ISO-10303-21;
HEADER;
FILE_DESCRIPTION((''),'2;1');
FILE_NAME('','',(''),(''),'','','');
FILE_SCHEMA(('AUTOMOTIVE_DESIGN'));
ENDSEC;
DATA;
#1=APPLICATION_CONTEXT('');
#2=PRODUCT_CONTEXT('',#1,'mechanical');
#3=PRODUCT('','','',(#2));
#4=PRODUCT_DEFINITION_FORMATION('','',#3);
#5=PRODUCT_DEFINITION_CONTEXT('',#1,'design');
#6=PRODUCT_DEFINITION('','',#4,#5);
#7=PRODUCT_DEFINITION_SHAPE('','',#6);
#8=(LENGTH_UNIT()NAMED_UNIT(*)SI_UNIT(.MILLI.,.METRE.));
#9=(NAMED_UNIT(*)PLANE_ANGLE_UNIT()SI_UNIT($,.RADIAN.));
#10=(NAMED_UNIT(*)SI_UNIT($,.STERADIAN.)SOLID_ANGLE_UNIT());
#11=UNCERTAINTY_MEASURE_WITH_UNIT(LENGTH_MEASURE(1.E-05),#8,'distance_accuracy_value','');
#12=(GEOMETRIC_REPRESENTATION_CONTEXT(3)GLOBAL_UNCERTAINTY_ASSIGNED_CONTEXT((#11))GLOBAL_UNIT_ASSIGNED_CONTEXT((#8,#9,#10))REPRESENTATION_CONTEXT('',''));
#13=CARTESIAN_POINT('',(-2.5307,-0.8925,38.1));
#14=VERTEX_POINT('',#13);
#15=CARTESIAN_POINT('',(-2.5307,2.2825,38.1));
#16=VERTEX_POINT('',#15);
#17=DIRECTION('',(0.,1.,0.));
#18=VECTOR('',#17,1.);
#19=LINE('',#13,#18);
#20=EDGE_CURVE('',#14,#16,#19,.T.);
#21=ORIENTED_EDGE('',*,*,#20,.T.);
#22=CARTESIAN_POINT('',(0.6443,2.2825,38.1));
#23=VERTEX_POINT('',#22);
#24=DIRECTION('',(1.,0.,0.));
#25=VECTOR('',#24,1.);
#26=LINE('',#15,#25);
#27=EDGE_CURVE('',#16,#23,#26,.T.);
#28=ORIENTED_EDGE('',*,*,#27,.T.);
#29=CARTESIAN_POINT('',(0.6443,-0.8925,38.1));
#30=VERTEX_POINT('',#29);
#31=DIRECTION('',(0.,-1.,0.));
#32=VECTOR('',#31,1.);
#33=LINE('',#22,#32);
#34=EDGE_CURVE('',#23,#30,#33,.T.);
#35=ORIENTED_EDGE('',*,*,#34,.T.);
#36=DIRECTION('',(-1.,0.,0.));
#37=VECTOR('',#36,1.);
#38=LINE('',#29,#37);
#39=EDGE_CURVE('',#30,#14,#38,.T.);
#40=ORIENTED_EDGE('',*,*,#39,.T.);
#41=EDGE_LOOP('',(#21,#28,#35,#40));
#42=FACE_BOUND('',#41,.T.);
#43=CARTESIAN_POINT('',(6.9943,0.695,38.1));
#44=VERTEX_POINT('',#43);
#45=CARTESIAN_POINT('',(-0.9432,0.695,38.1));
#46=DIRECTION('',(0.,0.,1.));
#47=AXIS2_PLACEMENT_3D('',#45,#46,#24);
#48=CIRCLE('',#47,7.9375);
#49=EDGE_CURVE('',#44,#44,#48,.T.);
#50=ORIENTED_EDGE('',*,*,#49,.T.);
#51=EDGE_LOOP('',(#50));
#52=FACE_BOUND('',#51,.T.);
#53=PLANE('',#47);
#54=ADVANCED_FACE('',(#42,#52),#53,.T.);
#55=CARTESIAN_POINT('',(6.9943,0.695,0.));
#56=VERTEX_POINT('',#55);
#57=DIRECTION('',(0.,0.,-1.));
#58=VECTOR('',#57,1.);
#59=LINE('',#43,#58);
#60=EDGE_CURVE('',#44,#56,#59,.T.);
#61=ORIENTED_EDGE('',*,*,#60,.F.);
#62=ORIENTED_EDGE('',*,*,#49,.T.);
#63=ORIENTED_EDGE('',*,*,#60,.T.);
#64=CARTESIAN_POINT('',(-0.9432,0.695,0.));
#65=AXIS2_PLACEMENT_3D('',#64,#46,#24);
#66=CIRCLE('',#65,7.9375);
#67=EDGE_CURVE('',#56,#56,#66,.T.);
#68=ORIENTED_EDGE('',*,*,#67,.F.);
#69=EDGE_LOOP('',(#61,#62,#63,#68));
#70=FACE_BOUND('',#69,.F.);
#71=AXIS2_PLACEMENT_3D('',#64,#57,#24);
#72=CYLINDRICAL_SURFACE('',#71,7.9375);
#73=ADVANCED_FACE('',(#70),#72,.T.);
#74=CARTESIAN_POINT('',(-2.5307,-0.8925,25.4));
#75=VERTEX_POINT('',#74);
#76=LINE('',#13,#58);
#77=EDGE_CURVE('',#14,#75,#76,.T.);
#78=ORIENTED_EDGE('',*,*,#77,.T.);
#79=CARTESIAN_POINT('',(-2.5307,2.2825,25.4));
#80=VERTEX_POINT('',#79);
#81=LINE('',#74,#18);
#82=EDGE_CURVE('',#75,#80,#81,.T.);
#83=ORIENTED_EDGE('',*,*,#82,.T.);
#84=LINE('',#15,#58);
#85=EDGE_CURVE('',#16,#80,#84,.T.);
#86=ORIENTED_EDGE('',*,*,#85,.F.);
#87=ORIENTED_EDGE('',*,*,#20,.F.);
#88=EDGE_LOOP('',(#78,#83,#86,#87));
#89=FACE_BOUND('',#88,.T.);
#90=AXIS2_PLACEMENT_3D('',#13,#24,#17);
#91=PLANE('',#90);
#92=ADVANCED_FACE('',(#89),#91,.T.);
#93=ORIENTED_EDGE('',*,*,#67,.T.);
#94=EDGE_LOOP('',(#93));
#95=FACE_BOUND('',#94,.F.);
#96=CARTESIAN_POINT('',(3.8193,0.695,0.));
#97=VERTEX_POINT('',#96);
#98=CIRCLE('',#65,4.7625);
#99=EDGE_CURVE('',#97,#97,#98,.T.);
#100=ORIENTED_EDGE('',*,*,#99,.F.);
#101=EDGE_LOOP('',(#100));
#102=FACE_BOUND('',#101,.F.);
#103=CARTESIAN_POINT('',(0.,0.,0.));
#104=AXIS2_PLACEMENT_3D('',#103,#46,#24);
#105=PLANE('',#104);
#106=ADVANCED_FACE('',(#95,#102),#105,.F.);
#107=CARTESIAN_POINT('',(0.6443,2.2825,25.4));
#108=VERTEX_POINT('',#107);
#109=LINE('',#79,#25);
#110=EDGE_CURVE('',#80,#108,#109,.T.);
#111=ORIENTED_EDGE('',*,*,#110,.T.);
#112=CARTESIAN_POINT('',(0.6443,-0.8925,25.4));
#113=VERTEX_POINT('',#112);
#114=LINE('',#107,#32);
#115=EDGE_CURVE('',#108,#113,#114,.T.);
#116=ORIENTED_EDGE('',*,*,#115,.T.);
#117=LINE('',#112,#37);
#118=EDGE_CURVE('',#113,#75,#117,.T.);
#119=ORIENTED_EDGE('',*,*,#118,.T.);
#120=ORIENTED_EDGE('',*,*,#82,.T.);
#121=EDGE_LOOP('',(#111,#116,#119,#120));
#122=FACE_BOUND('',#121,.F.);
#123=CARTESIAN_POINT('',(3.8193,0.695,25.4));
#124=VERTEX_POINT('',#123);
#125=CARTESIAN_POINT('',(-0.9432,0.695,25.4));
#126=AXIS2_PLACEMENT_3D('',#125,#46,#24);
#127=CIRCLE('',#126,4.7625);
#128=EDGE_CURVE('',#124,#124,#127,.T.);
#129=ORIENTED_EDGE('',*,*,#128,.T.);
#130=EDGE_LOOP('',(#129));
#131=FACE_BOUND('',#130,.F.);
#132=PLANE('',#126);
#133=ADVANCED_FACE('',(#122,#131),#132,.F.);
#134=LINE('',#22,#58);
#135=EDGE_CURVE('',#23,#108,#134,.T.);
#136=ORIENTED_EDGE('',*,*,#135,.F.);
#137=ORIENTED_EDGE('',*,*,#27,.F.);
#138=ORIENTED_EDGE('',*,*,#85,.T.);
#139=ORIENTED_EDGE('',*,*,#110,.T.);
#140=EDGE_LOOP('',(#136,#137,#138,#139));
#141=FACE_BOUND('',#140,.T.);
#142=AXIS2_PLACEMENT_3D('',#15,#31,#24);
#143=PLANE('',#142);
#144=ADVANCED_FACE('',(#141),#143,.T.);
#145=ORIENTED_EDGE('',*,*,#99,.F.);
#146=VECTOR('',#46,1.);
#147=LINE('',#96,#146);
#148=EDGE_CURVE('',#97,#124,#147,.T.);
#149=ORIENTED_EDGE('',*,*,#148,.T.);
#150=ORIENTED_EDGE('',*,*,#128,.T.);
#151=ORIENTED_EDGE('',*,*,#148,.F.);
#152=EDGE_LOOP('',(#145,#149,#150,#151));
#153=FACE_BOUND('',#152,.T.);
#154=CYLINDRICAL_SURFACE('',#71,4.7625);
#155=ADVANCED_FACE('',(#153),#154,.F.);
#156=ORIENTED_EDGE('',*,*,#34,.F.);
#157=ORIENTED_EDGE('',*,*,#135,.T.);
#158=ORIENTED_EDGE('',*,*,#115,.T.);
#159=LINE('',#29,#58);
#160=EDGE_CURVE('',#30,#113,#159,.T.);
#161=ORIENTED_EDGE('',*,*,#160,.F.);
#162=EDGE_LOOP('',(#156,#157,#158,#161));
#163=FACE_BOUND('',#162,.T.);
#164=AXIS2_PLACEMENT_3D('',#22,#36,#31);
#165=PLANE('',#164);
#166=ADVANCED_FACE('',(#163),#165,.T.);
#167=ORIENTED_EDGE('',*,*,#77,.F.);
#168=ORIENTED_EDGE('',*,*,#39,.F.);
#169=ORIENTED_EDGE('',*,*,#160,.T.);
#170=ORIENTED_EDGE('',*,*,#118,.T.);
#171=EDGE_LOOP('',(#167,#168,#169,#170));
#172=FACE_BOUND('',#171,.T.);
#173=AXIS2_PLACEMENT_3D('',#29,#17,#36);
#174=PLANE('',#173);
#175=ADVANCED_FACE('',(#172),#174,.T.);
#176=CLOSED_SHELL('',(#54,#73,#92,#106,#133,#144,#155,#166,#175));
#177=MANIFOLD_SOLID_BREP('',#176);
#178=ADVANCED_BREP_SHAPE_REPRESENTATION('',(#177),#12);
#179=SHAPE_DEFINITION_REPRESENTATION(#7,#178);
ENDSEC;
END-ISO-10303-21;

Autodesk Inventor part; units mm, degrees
ref_plane "YZ Plane" through (0, 0, 0) normal (1, 0, 0) x (0, 1, 0)
ref_plane "XZ Plane" through (0, 0, 0) normal (0, 1, 0) x (-1, 0, 0)
ref_plane "XY Plane" through (0, 0, 0) normal (0, 0, 1) x (1, 0, 0)
sketch "Sketch1" plane through (0, 0, 0) normal (0, 0, 1) x (1, 0, 0)
  circle A0 centre (-0.9432, 0.695) radius 7.9375
  circle A1 centre (-0.9432, 0.695) radius 4.7625
  dimension "d0" = 9.525
  dimension "d1" = 15.875
extrude "Extrusion1" add sketch "Sketch1" along normal blind 25.4
sketch "Sketch3" plane through (-0.9432, 0.695, 25.4) normal (0, 0, 1) x (1, 0, 0)
  circle A0 centre (0, 0) radius 7.9375 projected
  circle A1 centre (0, 0) radius 7.9375
extrude "Extrusion2" add sketch "Sketch3" along normal blind 12.7
sketch "Sketch5" plane through (-0.9432, 0.695, 38.1) normal (0, 0, 1) x (1, 0, 0)
  circle A0 centre (0, 0) radius 7.9375 projected
  line L0 (-1.5875, 1.5875) -> (1.5875, 1.5875)
  line L1 (1.5875, 1.5875) -> (1.5875, -1.5875)
  line L2 (1.5875, -1.5875) -> (-1.5875, -1.5875)
  line L3 (-1.5875, -1.5875) -> (-1.5875, 1.5875)
  point P0 (0, -1.5875)
  point P1 (1.5875, 0)
  dimension "d6" = 3.175
extrude "Extrusion3" cut sketch "Sketch5" against normal up to surface (12.7 mm away) contours L0 L1 L2 L3
properties part number "VEX Encoder shaft converter"
